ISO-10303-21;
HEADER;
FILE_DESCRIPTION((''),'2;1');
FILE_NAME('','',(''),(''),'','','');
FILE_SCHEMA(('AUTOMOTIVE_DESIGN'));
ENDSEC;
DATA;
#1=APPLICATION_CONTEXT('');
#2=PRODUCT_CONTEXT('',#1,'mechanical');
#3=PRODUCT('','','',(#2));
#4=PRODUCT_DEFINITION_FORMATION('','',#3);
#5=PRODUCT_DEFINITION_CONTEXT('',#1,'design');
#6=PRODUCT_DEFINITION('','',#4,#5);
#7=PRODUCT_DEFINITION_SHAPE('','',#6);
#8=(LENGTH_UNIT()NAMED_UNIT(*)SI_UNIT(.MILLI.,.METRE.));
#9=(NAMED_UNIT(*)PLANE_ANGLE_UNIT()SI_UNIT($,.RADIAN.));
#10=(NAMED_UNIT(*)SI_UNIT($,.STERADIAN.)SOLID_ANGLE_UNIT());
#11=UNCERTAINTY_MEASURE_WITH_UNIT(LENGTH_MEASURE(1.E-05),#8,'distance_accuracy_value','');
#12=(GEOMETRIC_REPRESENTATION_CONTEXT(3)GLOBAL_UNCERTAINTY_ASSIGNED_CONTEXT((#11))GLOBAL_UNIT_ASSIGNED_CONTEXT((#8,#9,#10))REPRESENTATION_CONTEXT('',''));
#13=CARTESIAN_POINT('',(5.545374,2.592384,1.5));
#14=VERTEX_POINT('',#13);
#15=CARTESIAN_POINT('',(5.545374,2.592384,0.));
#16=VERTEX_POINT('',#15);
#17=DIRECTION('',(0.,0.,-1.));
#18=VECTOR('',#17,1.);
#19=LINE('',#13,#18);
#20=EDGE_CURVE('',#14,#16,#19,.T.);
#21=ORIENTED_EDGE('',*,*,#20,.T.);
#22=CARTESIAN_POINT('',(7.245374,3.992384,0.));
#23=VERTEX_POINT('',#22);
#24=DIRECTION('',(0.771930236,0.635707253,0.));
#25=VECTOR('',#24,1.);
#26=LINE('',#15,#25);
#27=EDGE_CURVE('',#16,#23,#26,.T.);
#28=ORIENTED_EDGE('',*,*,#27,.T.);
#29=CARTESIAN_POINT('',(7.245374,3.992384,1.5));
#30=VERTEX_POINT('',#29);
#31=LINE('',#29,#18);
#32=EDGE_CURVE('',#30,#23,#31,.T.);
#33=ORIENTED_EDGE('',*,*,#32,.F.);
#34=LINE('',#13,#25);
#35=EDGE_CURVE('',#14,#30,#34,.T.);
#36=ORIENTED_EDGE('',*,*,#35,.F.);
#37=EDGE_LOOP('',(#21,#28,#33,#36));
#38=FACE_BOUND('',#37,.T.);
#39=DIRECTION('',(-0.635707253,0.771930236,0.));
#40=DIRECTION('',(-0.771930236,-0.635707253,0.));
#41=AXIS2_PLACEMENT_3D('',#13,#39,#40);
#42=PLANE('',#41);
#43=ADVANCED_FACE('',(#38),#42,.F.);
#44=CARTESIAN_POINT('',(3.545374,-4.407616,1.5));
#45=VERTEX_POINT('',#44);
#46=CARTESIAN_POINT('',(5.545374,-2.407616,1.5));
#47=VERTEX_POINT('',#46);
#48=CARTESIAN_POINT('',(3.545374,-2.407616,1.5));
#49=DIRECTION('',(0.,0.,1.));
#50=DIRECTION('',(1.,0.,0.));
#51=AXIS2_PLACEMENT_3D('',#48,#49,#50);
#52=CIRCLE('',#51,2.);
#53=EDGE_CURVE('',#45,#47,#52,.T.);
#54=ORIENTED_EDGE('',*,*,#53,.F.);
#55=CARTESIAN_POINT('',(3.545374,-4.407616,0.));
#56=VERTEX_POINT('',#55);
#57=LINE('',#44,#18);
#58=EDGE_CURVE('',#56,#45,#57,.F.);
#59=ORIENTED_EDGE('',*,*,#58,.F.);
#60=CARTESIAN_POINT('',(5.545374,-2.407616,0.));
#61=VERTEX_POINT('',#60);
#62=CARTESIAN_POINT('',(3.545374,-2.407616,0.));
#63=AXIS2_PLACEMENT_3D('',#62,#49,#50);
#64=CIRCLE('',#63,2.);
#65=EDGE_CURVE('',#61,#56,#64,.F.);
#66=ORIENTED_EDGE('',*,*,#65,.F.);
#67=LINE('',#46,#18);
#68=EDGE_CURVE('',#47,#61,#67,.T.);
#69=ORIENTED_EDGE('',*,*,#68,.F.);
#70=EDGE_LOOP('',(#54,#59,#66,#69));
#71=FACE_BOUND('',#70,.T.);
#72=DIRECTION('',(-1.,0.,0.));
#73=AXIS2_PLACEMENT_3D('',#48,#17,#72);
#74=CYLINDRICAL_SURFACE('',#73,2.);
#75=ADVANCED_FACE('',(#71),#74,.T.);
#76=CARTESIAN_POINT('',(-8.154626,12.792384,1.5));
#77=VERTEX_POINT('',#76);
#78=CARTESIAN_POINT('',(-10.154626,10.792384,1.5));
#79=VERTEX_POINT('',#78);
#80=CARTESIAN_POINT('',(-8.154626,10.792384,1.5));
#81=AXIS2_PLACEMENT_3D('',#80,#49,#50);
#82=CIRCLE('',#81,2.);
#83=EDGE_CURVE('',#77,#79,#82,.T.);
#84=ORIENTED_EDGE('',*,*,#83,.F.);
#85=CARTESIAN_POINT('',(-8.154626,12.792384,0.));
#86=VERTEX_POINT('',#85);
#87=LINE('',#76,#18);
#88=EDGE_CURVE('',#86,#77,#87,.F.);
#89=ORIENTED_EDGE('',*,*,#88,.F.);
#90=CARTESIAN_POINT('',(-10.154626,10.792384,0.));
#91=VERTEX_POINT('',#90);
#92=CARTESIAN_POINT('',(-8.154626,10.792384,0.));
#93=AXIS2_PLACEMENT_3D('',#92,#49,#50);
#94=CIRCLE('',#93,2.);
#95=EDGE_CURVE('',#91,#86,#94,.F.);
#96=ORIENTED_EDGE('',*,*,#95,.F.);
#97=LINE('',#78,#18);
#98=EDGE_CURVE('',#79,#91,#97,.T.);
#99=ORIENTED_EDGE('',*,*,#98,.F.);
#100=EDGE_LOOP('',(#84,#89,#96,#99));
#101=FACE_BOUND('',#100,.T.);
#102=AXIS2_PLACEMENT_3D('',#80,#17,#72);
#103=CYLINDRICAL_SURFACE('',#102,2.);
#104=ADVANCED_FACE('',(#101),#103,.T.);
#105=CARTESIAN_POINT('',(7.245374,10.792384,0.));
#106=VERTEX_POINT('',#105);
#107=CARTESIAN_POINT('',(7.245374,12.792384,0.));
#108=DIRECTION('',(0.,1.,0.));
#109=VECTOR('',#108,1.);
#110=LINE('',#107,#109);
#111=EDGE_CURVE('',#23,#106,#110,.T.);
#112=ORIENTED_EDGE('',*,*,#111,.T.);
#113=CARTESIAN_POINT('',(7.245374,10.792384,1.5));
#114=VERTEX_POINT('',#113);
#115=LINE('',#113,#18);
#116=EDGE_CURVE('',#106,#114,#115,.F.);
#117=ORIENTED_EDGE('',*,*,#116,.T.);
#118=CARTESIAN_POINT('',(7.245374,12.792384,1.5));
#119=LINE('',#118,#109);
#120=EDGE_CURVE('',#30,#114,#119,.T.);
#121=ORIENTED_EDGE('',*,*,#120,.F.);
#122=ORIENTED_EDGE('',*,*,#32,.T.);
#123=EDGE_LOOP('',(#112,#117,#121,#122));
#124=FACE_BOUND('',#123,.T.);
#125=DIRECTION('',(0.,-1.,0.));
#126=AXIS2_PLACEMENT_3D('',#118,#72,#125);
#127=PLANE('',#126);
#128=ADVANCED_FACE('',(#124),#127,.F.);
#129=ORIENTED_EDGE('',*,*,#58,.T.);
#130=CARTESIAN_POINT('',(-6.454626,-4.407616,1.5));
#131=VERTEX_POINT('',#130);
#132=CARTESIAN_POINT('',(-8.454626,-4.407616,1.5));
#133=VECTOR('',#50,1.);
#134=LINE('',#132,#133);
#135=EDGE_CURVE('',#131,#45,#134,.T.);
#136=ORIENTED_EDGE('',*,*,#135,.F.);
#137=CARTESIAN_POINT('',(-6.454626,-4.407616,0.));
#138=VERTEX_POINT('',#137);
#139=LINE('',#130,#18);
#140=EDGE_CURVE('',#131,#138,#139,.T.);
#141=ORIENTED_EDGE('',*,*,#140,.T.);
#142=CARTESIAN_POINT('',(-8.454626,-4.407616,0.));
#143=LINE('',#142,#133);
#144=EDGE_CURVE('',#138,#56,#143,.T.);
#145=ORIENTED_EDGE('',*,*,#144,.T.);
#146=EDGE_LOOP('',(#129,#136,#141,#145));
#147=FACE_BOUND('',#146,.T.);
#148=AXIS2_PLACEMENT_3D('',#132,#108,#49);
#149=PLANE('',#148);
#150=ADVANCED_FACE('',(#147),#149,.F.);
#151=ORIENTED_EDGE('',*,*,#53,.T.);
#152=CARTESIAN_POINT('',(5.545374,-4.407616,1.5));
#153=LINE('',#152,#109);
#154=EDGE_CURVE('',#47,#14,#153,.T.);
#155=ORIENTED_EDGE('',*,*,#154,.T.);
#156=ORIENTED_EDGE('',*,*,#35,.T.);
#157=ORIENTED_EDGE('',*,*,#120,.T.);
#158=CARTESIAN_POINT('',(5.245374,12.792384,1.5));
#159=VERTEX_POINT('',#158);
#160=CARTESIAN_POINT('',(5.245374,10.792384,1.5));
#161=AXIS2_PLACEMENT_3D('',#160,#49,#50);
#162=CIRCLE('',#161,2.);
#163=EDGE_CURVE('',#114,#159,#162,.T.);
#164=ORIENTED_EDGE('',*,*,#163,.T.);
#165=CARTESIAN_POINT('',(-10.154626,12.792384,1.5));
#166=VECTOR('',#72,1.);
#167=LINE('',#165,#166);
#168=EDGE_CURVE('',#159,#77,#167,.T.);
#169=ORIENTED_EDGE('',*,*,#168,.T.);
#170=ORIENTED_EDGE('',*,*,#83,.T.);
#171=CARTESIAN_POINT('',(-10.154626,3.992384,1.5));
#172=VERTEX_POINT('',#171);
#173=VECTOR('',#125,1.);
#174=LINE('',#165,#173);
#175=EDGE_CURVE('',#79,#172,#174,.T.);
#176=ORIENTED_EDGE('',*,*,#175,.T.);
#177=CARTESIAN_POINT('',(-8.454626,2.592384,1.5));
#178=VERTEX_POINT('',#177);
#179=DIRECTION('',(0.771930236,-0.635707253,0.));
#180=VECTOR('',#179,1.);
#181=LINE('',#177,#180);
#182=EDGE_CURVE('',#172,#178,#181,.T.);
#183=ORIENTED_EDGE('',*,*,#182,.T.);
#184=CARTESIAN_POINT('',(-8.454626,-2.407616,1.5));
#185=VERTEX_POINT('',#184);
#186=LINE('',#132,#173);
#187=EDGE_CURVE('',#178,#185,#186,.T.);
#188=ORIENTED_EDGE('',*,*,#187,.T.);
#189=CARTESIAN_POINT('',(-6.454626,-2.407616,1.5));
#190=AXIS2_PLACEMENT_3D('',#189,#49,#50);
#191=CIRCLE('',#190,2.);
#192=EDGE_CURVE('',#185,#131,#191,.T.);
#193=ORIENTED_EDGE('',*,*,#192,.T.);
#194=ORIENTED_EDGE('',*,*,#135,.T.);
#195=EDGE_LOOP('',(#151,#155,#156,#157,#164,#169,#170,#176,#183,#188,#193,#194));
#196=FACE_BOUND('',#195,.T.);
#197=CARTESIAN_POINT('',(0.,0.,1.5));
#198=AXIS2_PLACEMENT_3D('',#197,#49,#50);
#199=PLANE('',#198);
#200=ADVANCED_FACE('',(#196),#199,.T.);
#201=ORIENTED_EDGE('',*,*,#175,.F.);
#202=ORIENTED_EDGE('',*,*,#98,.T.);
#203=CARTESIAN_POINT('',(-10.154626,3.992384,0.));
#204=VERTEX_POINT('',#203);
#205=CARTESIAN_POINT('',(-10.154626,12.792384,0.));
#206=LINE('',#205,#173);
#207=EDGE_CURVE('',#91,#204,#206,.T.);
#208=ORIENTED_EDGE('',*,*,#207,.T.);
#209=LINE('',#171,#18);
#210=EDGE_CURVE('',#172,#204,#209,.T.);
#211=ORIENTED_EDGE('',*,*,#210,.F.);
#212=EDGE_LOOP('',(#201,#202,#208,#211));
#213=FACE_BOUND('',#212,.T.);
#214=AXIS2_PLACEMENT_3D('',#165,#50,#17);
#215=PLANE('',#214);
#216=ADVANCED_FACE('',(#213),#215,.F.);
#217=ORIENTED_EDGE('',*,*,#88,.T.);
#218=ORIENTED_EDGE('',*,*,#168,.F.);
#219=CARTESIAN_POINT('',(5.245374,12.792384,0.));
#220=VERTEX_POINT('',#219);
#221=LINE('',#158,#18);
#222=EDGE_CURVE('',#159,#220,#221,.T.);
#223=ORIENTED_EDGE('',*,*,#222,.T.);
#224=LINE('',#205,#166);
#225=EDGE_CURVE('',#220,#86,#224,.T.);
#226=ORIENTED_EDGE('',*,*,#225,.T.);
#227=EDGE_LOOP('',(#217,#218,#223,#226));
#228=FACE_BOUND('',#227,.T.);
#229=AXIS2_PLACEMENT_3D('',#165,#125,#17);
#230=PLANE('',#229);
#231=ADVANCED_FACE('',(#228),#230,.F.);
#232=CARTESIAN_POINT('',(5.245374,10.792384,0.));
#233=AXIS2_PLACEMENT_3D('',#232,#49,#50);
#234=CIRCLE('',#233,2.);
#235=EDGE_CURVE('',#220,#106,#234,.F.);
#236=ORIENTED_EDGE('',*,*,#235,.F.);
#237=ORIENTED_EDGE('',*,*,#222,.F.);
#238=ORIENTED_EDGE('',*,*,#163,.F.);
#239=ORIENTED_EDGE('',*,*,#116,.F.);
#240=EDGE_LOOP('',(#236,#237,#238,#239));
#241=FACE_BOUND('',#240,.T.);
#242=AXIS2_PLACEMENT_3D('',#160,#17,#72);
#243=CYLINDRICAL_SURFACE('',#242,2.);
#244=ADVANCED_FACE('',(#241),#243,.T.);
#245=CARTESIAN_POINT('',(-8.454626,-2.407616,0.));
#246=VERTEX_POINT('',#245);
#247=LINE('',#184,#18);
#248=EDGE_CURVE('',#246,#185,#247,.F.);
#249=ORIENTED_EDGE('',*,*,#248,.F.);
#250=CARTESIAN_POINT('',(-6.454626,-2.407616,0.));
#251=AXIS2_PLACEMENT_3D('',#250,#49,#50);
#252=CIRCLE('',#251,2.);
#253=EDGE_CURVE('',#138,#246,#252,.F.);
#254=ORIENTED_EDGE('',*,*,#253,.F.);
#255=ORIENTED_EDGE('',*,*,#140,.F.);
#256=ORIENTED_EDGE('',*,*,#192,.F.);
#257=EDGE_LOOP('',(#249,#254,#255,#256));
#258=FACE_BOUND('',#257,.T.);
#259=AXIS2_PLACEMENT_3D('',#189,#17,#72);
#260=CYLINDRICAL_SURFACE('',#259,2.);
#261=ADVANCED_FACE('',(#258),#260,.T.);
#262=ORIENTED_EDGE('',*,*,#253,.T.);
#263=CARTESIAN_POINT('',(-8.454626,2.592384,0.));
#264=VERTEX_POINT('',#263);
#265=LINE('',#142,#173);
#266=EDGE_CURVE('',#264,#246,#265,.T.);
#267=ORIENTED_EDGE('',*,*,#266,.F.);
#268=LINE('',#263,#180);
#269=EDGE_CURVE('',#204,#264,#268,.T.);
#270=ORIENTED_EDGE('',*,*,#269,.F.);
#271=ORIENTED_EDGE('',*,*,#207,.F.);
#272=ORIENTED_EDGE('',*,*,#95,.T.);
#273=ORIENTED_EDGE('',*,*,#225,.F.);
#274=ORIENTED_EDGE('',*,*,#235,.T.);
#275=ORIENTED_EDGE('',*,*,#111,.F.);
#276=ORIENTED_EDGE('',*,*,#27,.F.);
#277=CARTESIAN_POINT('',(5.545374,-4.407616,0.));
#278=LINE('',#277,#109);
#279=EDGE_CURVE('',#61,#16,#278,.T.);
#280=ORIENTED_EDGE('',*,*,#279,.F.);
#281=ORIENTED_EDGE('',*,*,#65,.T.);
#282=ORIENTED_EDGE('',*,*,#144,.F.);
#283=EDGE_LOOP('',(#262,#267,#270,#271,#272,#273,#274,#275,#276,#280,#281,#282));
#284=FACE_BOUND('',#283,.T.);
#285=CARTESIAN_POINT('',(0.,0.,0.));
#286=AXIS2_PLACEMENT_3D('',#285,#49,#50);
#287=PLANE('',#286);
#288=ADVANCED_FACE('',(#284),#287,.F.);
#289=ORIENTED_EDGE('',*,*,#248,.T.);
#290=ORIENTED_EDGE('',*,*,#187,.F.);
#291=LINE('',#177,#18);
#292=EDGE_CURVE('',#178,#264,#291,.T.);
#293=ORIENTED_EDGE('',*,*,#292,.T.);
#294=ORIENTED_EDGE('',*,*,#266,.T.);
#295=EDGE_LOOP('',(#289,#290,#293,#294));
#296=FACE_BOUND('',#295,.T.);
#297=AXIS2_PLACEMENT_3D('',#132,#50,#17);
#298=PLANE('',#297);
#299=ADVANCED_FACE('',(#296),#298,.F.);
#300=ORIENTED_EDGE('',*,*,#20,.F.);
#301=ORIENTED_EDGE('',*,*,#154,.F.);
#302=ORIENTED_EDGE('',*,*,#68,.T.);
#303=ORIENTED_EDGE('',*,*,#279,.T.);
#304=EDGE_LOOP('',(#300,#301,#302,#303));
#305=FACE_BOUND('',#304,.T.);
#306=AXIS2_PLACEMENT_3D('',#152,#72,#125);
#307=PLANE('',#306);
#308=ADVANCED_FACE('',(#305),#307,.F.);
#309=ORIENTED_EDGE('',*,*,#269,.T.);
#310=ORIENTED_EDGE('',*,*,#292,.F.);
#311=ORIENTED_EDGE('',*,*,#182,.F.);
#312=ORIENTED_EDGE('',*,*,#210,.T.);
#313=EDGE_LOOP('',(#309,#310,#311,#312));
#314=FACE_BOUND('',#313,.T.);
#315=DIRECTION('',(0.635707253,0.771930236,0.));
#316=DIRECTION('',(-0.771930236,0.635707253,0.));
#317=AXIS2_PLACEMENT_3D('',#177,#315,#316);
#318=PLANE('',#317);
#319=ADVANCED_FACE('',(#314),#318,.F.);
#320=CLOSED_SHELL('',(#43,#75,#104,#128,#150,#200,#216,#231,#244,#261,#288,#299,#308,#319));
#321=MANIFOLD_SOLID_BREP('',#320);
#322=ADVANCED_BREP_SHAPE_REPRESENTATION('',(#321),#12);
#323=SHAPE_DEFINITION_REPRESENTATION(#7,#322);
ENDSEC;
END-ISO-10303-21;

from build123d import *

# Parameters (mm, degrees)
DODANIE_WYCI_GNI_CIE1_DEPTH = 1.5
ZAOKR_GLENIE2_R             = 2


with BuildPart() as part:
    # Szkic1 → Dodanie-wyciągnięcie1 (new body)
    with BuildSketch(Plane.XY):
        Polygon((-10.154625861, 12.792384106), (7.245374139, 12.792384106), (7.245374139, 3.992384106), (5.545374139, 2.592384106), (5.545374139, -4.407615894), (-8.454625861, -4.407615894), (-8.454625861, 2.592384106), (-10.154625861, 3.992384106), align=None)
    extrude(amount=DODANIE_WYCI_GNI_CIE1_DEPTH)

    # Zaokrąglenie2
    zaokr_glenie2_edges = [part.edges().sort_by_distance(p)[0] for p in [
        (-10.154625861, 12.792384106, 0.75),
        (7.245374139, 12.792384106, 0.75),
        (5.545374139, -4.407615894, 0.75),
        (-8.454625861, -4.407615894, 0.75),
    ]]
    fillet(zaokr_glenie2_edges, radius=ZAOKR_GLENIE2_R)


solid = part.part
